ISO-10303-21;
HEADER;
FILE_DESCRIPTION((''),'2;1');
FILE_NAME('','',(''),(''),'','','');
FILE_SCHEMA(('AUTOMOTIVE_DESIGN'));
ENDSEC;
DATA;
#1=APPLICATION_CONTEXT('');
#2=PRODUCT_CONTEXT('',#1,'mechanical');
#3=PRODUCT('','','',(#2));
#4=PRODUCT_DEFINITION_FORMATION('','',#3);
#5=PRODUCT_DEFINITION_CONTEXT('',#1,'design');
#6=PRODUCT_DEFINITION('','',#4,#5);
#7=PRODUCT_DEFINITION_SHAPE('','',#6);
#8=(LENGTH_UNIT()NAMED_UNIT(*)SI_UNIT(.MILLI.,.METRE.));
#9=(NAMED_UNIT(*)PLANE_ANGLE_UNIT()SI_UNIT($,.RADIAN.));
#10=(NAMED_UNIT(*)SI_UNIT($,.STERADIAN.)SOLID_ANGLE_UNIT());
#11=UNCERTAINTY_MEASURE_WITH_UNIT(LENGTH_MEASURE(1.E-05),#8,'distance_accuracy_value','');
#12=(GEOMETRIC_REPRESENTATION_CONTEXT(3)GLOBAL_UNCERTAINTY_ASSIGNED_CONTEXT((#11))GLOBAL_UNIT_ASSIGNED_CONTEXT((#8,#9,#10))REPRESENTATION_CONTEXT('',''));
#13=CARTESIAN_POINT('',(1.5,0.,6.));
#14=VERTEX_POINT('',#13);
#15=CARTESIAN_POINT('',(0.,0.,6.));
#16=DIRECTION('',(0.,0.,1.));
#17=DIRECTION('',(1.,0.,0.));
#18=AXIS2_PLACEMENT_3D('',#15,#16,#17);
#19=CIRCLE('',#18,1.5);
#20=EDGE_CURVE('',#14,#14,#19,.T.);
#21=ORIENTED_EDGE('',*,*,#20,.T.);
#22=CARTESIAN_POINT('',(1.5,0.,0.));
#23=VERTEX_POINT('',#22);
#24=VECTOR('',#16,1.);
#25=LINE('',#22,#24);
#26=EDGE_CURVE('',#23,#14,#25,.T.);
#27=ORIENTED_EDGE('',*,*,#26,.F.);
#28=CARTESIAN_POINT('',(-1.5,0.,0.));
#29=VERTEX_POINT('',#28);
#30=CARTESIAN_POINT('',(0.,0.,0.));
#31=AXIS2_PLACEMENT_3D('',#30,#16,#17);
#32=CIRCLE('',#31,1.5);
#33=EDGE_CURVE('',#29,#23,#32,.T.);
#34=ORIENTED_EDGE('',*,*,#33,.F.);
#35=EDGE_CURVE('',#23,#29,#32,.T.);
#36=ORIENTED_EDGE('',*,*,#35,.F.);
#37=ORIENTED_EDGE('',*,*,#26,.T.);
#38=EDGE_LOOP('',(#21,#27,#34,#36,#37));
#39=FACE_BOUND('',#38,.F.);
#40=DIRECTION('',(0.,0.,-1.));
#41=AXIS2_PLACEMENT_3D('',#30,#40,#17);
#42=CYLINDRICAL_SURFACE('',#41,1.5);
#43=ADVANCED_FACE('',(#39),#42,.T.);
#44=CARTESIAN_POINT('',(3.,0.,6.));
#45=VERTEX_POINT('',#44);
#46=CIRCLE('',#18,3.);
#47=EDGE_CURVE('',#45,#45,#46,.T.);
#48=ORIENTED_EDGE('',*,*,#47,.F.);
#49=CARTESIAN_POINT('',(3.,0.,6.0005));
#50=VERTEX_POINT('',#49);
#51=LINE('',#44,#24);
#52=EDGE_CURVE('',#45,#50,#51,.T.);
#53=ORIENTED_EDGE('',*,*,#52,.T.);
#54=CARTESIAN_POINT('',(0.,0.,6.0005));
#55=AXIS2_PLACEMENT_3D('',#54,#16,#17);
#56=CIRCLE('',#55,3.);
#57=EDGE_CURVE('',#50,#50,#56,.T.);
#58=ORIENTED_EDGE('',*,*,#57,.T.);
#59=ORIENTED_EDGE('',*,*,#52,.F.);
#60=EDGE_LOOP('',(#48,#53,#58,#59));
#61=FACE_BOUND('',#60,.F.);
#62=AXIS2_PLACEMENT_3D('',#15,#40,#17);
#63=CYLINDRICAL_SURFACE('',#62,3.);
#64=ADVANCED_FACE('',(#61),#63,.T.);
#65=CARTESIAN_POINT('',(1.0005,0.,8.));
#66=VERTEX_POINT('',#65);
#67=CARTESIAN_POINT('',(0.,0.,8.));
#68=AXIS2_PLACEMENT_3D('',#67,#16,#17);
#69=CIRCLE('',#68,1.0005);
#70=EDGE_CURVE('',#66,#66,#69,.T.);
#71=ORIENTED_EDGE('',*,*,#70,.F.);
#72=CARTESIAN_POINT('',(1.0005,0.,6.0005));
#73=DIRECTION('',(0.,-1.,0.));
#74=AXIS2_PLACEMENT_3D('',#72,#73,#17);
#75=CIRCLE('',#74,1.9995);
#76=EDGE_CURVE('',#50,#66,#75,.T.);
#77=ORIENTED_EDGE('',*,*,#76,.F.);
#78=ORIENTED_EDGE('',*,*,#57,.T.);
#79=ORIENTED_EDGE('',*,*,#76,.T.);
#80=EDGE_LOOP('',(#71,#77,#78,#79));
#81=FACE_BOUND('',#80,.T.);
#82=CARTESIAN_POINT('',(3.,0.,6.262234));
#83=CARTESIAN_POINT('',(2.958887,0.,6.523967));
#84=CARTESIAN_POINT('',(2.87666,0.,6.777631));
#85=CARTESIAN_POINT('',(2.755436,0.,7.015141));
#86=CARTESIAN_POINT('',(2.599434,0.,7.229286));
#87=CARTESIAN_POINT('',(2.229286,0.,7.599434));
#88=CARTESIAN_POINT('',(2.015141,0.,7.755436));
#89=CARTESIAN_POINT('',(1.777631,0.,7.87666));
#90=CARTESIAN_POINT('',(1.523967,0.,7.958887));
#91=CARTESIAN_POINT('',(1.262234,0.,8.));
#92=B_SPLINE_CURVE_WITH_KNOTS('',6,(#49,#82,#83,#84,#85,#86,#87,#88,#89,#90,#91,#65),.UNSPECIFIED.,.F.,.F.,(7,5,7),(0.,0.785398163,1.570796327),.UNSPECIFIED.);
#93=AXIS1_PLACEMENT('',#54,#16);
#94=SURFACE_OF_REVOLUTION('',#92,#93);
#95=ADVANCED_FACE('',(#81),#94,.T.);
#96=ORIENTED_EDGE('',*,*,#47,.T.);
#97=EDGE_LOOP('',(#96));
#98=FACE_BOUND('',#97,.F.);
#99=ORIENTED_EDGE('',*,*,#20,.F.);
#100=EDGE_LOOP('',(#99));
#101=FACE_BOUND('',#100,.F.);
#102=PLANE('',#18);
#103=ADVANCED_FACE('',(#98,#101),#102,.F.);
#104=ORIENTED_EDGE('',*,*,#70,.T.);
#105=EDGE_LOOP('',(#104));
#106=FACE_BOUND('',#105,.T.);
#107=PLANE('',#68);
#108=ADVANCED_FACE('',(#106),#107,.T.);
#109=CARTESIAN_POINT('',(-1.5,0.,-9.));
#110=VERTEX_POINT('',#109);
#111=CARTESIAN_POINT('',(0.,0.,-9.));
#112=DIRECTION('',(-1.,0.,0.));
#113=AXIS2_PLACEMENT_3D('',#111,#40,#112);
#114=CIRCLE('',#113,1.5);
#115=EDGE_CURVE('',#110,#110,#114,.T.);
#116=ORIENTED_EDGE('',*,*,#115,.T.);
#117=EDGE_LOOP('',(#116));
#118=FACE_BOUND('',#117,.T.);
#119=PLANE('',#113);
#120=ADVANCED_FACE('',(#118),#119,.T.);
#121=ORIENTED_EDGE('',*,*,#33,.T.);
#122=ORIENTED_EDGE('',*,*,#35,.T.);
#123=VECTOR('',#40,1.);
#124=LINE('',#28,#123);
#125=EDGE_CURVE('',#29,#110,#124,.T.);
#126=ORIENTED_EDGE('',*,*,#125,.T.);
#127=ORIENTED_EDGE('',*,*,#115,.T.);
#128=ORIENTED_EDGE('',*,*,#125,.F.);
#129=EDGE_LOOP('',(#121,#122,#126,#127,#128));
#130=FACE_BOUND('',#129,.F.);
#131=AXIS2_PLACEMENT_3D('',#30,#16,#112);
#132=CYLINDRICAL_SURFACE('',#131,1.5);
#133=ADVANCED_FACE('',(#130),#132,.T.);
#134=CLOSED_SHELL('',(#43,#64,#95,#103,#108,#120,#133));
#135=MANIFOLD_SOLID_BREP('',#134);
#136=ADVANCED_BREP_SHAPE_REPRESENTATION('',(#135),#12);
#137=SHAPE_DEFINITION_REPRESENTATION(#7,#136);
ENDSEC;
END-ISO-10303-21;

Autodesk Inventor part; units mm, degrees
ref_plane "YZ Plane" through (0, 0, 0) normal (1, 0, 0) x (0, 1, 0)
ref_plane "XZ Plane" through (0, 0, 0) normal (0, 1, 0) x (-1, 0, 0)
ref_plane "XY Plane" through (0, 0, 0) normal (0, 0, 1) x (1, 0, 0)
sketch "スケッチ1" plane through (0, 0, 0) normal (0, 0, 1) x (1, 0, 0)
  circle A0 centre (0, 0) radius 1.5
  dimension "d0" = 3
extrude "押し出し1" add sketch "スケッチ1" along normal blind 6
sketch "スケッチ2" plane through (0, 0, 6) normal (0, 0, 1) x (1, 0, 0)
  circle A0 centre (0, 0) radius 1.5 projected
  circle A1 centre (0, 0) radius 3
  dimension "d3" = 6
extrude "押し出し2" add sketch "スケッチ2" along normal blind 2 contours A0 | A1
fillet "フィレット1" radius 2 1 edges at (-3, 0, 8)
thread "ねじ1" size "M3x0.5" class "6g" standard "ANSI Metric M Profile" full length
sketch "スケッチ3" plane through (0, 0, 0) normal (0, 0, -1) x (-1, 0, 0)
  circle A0 centre (0, 0) radius 1.5 projected
extrude "押し出し3" add sketch "スケッチ3" along normal blind 9
properties part number "SB　15mmなべネジ" material "Steel, Mild"
